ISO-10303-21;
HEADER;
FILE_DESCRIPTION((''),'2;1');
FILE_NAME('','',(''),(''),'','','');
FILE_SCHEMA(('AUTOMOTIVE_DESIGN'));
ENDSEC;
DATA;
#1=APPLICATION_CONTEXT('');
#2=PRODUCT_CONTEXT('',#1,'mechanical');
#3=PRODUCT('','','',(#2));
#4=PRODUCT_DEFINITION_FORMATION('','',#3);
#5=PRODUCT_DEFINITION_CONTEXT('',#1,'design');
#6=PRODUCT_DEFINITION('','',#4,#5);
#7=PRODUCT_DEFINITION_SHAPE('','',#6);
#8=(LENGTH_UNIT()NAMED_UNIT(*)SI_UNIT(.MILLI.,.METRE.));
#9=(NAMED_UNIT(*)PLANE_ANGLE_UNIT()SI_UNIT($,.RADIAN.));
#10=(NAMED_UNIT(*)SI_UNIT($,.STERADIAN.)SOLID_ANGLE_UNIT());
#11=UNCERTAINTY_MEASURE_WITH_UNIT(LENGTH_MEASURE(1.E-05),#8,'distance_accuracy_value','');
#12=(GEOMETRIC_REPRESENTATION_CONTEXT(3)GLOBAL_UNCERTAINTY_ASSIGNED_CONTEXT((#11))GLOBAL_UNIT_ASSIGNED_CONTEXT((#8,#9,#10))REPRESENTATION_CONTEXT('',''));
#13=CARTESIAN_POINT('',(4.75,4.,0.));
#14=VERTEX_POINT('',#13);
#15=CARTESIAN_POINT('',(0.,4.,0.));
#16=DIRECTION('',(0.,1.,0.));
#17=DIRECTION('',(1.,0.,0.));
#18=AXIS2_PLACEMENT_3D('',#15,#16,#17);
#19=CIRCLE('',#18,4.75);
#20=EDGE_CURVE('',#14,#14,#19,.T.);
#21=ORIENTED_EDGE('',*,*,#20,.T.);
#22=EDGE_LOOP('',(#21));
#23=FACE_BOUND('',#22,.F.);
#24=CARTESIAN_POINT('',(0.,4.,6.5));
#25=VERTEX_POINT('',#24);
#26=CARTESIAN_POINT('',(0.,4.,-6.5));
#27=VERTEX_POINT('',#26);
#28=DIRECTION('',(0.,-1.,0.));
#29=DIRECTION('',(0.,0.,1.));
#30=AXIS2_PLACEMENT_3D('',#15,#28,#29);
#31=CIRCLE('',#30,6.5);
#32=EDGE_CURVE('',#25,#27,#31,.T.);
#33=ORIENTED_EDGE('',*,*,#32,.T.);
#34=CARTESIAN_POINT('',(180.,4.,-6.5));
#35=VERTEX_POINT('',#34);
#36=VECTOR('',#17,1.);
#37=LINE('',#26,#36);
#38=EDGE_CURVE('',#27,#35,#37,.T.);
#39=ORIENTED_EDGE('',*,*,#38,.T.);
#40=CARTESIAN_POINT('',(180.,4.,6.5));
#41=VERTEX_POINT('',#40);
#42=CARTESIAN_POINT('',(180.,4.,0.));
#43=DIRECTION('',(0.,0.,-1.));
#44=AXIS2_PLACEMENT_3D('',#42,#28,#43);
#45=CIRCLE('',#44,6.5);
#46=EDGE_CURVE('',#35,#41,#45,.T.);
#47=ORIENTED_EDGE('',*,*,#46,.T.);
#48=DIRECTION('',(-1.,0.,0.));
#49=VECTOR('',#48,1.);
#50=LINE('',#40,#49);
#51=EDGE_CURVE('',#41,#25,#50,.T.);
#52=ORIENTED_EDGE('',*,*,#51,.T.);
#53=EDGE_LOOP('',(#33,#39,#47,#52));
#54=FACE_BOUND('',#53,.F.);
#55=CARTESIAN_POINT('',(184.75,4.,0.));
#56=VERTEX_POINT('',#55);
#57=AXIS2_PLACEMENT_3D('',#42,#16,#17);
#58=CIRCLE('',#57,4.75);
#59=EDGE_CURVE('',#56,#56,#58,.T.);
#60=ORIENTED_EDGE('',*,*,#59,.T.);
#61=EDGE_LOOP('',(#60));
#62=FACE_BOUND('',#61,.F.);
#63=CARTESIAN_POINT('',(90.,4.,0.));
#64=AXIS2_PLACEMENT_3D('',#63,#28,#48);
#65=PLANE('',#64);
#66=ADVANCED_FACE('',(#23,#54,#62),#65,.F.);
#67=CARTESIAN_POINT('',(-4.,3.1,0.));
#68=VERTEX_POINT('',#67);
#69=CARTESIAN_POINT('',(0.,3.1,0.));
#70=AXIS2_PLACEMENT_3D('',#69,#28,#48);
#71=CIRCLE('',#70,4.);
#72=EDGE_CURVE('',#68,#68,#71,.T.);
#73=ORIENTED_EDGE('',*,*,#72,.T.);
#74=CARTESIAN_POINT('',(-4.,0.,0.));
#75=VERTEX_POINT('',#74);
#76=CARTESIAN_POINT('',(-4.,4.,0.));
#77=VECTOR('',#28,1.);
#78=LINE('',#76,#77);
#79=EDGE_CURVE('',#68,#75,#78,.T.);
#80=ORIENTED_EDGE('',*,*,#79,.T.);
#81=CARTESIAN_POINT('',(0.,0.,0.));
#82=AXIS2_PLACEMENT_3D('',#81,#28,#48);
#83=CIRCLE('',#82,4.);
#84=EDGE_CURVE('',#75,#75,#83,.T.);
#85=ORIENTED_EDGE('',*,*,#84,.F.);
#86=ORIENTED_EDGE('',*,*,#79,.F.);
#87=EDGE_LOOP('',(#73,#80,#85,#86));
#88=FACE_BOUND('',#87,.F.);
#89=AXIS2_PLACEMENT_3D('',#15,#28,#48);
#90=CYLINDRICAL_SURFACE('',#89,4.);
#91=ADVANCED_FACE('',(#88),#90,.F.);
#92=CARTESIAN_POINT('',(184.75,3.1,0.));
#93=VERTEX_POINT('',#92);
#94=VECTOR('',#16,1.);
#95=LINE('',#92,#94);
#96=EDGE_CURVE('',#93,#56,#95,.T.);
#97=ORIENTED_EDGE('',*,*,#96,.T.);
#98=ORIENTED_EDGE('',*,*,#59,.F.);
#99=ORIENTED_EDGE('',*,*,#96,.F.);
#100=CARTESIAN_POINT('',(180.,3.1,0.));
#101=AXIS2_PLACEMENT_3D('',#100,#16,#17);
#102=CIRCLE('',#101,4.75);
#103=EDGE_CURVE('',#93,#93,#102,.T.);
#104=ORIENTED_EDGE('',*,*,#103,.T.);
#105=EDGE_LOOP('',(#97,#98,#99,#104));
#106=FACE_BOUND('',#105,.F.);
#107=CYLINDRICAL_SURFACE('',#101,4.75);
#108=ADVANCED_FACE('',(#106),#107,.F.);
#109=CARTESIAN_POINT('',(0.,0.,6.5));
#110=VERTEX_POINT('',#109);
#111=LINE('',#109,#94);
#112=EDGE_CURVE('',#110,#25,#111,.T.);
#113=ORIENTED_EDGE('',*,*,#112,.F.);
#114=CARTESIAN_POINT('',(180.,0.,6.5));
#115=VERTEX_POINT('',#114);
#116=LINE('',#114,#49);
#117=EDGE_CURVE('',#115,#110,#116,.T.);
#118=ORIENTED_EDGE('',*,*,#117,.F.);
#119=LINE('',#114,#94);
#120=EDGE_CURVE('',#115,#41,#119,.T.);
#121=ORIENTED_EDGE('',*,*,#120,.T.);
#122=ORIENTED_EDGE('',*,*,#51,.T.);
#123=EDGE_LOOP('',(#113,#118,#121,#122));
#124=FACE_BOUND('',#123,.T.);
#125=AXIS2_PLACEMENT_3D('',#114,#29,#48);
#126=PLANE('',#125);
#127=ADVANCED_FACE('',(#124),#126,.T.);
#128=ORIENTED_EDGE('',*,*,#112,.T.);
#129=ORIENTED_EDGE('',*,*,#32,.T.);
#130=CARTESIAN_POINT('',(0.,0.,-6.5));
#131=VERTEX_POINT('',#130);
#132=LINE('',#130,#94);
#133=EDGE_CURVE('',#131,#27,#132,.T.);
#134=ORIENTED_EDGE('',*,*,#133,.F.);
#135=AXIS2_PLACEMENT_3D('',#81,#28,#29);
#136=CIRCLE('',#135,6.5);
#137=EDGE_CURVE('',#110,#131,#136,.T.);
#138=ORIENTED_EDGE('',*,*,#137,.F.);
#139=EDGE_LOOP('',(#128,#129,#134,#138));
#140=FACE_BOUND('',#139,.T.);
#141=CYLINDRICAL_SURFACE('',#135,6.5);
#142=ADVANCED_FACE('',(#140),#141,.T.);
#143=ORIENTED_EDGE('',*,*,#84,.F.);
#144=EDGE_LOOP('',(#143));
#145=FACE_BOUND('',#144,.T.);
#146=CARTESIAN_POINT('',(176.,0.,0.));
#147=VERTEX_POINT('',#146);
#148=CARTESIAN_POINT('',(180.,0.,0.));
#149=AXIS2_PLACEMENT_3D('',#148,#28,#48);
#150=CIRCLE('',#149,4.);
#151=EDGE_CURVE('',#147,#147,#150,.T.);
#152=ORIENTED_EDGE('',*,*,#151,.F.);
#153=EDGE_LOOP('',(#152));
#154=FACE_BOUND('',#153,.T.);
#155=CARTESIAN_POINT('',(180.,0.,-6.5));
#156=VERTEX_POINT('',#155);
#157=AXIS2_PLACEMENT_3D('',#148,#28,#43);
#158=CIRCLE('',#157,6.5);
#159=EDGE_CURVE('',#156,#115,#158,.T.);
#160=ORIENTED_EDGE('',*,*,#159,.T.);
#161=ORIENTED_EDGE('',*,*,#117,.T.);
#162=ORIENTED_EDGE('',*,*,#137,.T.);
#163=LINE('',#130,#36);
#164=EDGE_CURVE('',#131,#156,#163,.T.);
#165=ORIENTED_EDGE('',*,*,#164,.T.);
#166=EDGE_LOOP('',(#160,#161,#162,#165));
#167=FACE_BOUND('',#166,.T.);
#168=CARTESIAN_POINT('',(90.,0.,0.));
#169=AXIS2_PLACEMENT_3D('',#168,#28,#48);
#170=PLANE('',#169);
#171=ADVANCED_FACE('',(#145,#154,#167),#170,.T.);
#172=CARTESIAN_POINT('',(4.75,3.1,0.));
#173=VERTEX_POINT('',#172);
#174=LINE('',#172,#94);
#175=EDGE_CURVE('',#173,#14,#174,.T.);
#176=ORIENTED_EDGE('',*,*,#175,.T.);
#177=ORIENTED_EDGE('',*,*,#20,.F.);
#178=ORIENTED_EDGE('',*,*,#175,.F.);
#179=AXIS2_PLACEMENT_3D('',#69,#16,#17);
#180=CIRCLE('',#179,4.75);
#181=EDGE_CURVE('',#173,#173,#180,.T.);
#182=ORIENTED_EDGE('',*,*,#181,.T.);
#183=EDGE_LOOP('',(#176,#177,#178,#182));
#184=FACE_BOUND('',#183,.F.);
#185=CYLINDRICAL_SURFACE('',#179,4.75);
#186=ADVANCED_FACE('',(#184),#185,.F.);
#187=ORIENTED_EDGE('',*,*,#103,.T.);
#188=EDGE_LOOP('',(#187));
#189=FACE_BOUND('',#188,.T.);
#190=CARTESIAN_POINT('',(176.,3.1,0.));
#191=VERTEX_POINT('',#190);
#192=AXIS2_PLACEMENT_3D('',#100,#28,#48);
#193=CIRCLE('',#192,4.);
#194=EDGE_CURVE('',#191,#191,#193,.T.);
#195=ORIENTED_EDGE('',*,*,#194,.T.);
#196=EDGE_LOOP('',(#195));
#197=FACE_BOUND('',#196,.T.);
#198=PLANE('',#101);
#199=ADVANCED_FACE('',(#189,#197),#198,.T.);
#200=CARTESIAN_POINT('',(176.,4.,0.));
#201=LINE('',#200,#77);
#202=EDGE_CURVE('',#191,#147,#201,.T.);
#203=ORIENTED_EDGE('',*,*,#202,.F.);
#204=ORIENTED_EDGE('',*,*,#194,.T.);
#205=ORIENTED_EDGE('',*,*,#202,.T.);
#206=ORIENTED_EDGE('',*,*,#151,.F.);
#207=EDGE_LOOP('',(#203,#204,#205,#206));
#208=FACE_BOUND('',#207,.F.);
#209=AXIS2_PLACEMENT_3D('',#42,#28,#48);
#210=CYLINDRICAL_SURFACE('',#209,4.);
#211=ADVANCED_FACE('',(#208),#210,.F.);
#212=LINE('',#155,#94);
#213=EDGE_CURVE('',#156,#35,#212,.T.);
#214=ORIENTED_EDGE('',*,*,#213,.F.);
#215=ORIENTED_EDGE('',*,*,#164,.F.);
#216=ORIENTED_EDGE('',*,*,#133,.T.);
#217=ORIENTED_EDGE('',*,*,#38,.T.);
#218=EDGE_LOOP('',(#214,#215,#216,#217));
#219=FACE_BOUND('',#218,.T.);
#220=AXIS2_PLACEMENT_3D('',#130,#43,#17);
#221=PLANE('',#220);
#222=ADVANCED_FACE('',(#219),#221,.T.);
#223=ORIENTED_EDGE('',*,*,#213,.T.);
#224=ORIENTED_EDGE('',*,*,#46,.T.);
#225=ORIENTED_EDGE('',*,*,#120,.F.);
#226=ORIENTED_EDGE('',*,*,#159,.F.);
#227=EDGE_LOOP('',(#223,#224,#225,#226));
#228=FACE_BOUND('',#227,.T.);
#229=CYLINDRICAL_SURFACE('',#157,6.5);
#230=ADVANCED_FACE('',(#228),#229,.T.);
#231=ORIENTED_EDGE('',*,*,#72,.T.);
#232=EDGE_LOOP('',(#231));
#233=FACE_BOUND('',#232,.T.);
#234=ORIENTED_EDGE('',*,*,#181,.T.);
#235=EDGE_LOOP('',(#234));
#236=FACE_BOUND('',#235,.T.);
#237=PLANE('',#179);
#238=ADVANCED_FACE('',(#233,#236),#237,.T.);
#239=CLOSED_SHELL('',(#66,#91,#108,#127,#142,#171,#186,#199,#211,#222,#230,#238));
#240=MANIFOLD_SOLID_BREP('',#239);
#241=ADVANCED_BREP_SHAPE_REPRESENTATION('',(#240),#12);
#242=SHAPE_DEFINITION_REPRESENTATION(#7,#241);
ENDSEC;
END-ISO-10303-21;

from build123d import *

# Parameters (mm, degrees)
EXTRUDE_1_DEPTH              = 4
HOLE_WIZARD_M5_1_D           = 8
HOLE_WIZARD_M5_1_CBORE_D     = 9.5
HOLE_WIZARD_M5_1_CBORE_DEPTH = 0.9


with BuildPart() as part:
    # 草图1 → 凸台-拉伸1 (new body)
    with BuildSketch(Plane(origin=(0, 0, 0), x_dir=(1, 0, 0), z_dir=(0, 1, 0))):
        with BuildLine():
            Line((0, 6.5), (180, 6.5))
            ThreePointArc((180, 6.5), (186.5, 0), (180, -6.5))
            Line((180, -6.5), (0, -6.5))
            ThreePointArc((0, -6.5), (-6.5, 0), (0, 6.5))
        make_face()
    extrude(amount=EXTRUDE_1_DEPTH)

    # M5 六角头螺栓的柱形沉头孔1 (through all)
    with Locations(Plane(origin=(0, 4, 0), x_dir=(1, 0, 0), z_dir=(0, 1, 0))):
        with Locations((180, 0), (0, 0)):
            CounterBoreHole(HOLE_WIZARD_M5_1_D / 2, HOLE_WIZARD_M5_1_CBORE_D / 2, HOLE_WIZARD_M5_1_CBORE_DEPTH)


solid = part.part
